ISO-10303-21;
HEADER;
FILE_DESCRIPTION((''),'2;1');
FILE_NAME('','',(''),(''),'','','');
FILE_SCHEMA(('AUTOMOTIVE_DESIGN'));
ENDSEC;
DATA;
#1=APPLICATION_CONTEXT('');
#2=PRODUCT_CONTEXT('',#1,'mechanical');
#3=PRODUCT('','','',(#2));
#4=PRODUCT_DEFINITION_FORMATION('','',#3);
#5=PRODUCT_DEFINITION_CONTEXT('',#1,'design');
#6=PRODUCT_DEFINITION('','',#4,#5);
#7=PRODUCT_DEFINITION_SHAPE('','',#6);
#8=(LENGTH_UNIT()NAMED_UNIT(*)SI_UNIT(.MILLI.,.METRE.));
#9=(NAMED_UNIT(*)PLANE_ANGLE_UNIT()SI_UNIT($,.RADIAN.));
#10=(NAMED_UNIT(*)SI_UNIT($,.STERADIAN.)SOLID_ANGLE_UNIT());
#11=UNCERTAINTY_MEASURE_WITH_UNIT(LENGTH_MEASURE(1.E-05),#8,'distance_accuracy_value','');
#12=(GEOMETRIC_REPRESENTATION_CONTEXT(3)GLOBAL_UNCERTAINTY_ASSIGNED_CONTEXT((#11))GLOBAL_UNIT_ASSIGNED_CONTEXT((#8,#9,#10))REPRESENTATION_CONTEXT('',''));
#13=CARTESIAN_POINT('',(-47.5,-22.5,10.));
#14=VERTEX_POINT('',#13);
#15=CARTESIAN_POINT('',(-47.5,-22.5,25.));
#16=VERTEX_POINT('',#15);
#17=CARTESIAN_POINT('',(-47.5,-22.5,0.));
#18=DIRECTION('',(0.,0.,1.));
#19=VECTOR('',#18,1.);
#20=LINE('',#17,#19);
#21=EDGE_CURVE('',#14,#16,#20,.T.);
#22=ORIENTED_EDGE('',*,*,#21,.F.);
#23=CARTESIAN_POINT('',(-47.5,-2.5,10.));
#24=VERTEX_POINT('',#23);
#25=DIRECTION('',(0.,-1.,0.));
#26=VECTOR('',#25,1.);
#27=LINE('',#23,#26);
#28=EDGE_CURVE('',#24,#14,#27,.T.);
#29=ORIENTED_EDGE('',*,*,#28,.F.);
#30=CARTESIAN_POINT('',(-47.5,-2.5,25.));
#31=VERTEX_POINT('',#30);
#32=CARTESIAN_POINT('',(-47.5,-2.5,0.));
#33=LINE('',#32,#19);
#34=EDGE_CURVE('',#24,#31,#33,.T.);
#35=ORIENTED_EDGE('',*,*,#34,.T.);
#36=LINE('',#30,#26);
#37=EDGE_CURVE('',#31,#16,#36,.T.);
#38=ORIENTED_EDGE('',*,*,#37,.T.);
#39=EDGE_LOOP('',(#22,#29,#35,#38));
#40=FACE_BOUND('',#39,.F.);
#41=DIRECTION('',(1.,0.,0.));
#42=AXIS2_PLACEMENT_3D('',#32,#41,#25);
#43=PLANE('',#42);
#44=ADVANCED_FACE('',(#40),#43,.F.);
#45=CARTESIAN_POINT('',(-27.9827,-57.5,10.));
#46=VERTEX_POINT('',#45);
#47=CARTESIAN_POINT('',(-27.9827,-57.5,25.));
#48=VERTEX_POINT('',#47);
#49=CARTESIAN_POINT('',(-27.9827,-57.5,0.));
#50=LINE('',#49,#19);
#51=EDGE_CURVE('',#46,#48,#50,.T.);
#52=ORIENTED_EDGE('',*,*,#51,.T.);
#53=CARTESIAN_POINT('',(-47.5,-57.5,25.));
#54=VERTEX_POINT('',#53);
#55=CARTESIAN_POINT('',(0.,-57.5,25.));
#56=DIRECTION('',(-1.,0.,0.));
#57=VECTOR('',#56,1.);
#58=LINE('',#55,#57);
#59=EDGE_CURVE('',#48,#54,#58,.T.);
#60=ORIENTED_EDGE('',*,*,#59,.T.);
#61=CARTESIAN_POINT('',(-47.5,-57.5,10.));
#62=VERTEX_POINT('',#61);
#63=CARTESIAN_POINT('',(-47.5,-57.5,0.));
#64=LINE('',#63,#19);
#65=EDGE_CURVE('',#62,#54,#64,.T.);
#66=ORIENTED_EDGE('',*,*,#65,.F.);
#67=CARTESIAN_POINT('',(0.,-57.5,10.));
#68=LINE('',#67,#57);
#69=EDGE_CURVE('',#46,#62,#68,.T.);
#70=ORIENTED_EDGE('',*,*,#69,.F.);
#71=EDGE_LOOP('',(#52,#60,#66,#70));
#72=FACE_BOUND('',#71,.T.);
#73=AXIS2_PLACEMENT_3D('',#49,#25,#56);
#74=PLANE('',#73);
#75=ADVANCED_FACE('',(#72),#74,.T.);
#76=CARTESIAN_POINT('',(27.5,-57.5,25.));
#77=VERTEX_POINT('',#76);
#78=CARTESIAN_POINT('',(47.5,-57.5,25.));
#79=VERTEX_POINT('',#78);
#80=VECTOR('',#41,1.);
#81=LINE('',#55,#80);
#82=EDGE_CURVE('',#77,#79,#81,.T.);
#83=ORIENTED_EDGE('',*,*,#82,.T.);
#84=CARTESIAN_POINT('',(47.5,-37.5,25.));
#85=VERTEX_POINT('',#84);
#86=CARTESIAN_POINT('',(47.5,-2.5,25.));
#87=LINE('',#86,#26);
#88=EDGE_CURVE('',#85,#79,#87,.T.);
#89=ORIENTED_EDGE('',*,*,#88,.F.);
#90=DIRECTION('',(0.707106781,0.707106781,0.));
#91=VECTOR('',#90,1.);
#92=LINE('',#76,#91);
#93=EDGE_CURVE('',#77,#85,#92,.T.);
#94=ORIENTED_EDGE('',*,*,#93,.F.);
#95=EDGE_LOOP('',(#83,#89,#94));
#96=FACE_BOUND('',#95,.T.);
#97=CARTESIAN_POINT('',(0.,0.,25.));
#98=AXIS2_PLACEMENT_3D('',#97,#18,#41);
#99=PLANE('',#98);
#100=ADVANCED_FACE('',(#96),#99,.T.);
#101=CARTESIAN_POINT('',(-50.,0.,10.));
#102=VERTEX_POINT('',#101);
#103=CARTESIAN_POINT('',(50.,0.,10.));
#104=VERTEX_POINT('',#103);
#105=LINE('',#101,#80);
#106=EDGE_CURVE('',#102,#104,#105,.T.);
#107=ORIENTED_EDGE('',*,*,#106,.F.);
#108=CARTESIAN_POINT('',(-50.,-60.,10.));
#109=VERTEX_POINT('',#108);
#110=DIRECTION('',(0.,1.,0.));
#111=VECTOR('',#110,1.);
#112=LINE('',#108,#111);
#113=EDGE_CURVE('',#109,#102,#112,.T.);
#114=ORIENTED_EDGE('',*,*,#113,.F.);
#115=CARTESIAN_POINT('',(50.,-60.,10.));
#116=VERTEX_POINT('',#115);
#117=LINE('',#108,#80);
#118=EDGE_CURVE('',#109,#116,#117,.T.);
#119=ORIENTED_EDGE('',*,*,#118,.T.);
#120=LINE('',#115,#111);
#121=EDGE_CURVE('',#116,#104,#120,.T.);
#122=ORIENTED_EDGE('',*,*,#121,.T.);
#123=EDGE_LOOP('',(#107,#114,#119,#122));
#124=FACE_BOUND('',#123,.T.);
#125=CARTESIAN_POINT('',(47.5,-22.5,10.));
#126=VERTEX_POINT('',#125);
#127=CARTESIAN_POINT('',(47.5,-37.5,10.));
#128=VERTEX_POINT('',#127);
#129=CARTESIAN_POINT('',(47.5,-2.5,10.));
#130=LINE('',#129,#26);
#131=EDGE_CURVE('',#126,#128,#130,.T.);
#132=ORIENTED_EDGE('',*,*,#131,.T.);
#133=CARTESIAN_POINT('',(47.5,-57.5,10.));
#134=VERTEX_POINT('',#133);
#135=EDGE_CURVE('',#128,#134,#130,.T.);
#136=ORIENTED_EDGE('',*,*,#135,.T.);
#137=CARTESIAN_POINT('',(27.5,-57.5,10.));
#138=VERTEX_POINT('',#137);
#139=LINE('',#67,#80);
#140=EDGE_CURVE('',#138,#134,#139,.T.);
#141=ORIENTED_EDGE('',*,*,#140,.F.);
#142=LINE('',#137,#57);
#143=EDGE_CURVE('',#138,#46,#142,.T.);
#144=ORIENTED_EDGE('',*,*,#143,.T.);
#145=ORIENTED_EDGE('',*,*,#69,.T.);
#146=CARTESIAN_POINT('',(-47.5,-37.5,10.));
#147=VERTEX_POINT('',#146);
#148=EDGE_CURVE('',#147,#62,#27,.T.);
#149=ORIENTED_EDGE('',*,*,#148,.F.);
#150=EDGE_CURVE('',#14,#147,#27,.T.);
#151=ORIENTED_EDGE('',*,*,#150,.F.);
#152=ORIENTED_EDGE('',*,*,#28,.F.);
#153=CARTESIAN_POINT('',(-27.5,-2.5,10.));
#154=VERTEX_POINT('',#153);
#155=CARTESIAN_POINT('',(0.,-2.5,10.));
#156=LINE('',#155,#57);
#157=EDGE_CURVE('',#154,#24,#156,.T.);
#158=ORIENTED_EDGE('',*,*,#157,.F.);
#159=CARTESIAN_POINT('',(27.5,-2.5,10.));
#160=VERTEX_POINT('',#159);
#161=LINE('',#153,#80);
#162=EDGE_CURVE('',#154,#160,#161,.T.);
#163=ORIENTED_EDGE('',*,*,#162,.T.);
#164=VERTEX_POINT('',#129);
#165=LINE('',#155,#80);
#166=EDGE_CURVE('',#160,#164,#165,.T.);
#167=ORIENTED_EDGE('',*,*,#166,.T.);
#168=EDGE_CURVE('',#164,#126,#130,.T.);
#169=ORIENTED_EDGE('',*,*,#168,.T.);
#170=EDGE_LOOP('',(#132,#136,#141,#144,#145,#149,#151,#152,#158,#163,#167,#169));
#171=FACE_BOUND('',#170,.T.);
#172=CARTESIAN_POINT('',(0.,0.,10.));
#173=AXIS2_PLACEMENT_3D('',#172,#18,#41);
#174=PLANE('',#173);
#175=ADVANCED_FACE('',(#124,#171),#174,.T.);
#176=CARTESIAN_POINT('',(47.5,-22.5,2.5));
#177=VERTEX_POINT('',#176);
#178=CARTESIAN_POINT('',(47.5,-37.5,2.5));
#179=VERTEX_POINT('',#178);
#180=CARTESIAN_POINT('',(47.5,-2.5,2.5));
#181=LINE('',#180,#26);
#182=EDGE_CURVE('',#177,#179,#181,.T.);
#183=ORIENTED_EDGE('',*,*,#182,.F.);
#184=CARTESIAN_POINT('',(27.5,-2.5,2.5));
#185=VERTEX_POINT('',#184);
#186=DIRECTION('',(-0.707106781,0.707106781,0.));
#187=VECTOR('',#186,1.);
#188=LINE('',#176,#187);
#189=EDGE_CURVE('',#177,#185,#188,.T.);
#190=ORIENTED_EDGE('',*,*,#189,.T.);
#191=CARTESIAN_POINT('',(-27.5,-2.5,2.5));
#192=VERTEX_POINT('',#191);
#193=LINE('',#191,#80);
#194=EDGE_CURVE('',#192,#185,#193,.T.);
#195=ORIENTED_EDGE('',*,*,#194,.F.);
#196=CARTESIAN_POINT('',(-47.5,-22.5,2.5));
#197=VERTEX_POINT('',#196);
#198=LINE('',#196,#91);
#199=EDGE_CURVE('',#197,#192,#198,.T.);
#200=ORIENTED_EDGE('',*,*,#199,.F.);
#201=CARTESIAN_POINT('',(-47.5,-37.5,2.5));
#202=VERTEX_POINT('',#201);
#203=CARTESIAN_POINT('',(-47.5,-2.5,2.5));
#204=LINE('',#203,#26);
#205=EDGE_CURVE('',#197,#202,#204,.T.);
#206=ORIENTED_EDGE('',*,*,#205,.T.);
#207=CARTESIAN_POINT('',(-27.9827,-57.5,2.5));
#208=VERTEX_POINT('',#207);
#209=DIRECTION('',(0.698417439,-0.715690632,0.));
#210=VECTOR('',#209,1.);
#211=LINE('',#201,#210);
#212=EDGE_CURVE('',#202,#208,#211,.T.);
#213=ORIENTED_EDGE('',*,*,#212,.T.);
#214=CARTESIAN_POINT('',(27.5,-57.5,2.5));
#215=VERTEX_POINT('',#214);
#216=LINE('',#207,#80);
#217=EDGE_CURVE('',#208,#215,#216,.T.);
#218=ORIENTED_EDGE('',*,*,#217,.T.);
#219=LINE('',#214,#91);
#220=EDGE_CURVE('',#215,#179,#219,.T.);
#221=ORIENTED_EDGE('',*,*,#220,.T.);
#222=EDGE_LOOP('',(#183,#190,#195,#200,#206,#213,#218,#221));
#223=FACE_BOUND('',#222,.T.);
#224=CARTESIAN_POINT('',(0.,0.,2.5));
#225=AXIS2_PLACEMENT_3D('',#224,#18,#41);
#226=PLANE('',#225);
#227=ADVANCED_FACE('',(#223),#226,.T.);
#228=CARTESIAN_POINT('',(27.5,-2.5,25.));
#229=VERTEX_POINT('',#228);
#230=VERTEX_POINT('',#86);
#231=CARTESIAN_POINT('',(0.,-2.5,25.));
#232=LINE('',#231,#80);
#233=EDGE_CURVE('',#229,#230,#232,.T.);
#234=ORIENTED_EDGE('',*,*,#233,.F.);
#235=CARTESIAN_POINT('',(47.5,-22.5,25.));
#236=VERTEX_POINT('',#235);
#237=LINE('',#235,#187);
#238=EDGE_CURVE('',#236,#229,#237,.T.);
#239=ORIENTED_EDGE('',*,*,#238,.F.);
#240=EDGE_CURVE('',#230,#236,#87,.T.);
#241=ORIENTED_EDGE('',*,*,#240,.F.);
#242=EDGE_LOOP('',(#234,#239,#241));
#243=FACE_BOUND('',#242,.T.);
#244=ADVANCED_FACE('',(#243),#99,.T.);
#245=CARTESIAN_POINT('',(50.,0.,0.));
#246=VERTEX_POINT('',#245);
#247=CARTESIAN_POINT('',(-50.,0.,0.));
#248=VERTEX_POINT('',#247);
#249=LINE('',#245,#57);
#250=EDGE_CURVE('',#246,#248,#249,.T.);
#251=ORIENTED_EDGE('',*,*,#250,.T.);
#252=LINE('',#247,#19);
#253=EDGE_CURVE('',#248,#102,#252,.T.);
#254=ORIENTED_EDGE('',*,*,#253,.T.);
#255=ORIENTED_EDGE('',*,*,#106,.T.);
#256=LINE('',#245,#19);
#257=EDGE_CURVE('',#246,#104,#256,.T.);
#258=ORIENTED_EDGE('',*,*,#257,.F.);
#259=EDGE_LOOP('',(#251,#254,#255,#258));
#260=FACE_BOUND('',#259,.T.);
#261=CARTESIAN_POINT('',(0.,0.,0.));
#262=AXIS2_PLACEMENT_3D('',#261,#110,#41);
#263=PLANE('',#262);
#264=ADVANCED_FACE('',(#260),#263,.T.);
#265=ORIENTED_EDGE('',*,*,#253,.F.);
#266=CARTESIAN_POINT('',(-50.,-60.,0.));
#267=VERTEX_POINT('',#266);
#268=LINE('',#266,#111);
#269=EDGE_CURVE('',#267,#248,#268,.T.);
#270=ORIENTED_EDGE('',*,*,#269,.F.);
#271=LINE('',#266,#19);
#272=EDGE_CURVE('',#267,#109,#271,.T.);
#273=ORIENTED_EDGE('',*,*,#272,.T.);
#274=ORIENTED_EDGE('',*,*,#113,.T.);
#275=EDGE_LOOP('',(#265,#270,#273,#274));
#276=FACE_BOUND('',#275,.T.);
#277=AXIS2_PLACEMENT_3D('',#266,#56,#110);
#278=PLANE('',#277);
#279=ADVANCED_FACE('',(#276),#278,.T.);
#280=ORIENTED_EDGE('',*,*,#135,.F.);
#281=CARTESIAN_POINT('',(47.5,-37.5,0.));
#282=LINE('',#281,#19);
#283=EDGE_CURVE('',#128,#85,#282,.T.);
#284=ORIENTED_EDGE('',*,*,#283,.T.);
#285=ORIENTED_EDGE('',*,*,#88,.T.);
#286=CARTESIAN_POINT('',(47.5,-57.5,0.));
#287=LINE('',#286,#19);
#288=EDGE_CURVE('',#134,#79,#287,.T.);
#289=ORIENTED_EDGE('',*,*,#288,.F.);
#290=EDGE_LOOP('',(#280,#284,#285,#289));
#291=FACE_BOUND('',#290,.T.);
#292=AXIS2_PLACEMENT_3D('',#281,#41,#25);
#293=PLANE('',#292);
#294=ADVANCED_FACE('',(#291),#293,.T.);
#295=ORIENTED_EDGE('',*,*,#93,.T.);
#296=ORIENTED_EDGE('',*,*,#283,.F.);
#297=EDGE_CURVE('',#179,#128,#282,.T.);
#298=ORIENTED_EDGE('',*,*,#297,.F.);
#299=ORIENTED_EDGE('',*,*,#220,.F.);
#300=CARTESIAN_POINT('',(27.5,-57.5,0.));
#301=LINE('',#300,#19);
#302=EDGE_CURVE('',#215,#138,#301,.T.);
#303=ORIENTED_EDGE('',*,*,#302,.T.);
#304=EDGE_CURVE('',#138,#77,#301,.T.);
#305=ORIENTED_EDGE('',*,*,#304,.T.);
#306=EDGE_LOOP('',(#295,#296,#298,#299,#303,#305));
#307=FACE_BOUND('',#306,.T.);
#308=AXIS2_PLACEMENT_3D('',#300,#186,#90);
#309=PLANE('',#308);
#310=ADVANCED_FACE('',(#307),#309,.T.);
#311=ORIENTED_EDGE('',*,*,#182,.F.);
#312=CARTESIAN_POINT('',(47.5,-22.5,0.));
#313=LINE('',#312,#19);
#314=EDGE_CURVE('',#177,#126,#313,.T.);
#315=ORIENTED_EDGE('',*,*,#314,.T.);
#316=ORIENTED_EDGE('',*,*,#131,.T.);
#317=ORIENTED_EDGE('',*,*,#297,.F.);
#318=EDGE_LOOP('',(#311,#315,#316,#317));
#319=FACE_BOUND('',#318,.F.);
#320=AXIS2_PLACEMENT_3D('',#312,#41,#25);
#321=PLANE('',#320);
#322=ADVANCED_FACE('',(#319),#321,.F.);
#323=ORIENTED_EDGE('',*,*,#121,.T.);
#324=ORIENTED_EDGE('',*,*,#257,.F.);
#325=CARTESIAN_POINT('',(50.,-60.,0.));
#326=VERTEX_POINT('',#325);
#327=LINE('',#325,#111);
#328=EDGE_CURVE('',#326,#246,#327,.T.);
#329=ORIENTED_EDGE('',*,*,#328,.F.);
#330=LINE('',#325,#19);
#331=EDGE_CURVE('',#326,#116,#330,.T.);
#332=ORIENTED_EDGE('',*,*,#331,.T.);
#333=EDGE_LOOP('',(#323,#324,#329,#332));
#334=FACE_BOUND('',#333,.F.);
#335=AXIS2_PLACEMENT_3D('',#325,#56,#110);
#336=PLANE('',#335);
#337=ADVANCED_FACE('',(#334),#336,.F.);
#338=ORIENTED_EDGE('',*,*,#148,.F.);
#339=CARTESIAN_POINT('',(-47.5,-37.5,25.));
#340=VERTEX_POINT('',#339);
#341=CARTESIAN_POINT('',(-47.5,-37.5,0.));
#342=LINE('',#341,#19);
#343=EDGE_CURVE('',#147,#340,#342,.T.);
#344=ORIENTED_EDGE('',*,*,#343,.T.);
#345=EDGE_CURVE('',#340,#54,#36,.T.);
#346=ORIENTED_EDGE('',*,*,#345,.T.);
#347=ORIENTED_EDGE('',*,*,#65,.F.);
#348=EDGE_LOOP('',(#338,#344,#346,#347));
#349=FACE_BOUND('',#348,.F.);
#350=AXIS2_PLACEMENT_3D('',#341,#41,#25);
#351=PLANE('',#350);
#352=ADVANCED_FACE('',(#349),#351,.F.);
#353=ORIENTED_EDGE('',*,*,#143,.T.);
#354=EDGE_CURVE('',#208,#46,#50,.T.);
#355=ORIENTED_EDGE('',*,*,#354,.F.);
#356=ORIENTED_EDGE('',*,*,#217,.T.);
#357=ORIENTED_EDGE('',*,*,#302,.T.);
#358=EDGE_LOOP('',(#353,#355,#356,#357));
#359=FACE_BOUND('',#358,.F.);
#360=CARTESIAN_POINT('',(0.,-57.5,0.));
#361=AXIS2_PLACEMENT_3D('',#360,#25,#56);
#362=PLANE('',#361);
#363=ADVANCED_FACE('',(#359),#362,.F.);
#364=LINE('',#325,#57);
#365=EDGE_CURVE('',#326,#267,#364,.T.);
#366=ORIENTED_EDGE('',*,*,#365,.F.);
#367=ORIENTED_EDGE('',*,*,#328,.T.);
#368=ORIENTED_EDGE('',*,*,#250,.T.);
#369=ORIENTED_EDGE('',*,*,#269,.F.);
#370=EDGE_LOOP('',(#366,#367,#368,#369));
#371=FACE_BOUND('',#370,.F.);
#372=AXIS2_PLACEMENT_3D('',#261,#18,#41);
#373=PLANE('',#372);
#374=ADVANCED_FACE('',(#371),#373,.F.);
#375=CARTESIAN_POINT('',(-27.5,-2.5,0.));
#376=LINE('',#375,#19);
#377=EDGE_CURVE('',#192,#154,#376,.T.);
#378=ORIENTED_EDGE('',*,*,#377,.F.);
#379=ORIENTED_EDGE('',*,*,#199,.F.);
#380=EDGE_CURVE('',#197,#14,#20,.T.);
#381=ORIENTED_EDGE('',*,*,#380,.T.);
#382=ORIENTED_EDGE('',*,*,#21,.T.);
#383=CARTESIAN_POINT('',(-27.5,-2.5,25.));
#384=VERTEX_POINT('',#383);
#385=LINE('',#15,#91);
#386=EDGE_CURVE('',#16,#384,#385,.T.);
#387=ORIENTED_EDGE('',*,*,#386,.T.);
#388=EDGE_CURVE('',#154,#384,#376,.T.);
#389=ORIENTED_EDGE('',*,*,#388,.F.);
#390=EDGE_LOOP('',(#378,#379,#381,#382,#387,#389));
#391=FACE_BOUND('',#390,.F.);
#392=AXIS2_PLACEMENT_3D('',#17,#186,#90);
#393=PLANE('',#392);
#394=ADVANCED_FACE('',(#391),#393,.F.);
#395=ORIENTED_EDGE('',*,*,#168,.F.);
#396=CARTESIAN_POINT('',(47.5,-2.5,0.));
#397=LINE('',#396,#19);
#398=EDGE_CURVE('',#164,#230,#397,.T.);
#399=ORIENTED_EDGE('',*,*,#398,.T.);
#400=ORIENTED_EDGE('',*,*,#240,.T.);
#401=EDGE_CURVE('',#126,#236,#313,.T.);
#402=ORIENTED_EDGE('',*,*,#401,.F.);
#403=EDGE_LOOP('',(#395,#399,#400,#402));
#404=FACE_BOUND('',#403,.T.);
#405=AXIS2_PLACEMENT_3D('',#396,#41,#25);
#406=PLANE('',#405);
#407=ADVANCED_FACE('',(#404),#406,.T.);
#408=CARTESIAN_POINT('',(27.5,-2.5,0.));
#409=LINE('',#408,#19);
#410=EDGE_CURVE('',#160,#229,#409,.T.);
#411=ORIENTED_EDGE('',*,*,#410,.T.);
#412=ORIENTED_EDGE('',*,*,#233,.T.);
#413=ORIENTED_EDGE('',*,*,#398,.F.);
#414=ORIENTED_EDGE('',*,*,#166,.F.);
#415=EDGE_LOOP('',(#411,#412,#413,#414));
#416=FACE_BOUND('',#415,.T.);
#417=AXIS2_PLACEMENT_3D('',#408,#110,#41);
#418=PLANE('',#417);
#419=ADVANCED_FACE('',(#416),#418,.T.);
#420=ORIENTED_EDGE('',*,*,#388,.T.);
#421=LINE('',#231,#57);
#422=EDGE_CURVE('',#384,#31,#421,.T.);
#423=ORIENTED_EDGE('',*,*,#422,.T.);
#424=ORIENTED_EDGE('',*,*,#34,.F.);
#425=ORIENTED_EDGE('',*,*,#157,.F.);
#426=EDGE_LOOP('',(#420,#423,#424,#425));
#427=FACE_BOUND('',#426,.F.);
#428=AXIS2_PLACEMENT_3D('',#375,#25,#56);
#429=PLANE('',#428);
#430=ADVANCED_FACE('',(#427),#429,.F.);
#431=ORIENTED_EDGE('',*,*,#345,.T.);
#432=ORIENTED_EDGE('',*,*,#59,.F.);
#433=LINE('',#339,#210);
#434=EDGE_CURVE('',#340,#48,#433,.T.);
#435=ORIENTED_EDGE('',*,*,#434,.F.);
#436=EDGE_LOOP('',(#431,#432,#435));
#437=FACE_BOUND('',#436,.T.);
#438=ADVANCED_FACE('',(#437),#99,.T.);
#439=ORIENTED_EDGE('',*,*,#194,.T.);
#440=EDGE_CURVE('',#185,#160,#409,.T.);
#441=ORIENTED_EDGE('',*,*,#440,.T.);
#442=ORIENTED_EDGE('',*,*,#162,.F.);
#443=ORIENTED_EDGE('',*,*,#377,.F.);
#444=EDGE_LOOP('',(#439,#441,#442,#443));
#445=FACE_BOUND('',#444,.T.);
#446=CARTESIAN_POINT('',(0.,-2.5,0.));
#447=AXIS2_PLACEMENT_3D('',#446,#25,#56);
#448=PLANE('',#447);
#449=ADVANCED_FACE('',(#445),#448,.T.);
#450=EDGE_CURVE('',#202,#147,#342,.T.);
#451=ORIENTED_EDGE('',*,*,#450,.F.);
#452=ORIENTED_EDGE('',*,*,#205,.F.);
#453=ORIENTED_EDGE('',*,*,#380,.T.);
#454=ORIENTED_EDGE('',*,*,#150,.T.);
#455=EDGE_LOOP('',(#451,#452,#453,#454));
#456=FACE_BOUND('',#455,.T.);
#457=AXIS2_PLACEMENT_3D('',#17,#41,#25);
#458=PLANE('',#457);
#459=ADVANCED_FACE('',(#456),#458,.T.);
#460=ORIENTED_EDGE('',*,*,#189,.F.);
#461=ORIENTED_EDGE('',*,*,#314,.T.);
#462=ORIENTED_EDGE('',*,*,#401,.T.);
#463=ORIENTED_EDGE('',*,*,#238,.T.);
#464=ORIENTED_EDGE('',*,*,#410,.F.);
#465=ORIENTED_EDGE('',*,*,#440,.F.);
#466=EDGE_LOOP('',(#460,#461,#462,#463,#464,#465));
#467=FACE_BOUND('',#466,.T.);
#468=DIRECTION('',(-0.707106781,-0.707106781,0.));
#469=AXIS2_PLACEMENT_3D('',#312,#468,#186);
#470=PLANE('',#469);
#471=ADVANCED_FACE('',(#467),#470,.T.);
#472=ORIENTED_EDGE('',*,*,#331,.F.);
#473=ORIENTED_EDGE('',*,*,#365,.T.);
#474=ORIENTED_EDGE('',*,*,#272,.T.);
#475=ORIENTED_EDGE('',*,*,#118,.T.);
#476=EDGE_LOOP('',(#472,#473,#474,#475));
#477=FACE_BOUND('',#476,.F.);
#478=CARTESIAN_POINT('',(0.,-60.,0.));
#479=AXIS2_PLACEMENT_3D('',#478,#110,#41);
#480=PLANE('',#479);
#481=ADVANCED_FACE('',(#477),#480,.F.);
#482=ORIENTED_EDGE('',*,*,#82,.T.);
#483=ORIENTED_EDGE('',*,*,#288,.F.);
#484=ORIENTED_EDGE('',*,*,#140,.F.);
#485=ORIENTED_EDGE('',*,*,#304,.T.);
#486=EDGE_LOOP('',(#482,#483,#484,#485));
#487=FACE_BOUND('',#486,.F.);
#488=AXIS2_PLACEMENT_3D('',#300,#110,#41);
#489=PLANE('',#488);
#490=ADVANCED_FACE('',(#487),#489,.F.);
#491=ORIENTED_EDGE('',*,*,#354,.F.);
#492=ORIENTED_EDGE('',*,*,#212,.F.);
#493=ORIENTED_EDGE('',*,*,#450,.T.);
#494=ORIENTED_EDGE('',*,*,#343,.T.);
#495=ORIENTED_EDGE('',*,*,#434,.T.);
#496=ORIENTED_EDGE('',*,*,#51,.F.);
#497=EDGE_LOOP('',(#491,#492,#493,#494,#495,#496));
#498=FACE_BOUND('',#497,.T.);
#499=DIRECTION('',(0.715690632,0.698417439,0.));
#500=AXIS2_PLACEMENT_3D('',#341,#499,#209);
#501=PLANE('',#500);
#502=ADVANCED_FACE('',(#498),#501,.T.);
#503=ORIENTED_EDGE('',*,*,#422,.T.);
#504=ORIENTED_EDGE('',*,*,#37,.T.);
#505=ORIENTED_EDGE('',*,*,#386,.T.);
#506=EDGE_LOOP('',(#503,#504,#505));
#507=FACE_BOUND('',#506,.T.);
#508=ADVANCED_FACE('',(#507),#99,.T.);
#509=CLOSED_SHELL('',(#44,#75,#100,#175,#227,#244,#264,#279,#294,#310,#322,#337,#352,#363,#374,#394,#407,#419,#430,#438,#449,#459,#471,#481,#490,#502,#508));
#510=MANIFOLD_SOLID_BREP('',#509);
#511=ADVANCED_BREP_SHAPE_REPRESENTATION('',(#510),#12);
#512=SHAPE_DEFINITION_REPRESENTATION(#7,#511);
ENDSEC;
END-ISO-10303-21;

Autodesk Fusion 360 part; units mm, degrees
sketch "Sketch1" plane through (0, 0, 0) normal (0, 0, 1) x (1, 0, 0)
  line L0 (0, 0) -> (50, 0)
  line L1 (0, 0) -> (-50, 0)
  line L2 (0, -60) -> (50, -60)
  line L3 (0, -60) -> (-50, -60)
  line L4 (0, -2.5) -> (47.5, -2.5)
  line L5 (0, -2.5) -> (-47.5, -2.5)
  line L6 (0, -57.5) -> (47.5, -57.5)
  line L7 (0, -57.5) -> (-47.5, -57.5)
  line L8 (-47.5, -2.5) -> (-47.5, -57.5)
  line L9 (47.5, -2.5) -> (47.5, -57.5)
  line L10 (50, -60) -> (50, 0)
  line L11 (-50, -60) -> (-50, 0)
  line L12 (-54.3467, -2.5) -> (-57.3288, -2.5) construction
  line L13 (-47.5, -22.5) -> (47.5, -22.5)
  line L14 (-47.5, 10.1561) -> (-47.5, 7.5248)
  line L15 (-47.5, -22.5) -> (-27.5, -2.5)
  line L16 (27.5, -2.5) -> (27.5, -7.3859)
  line L17 (47.5, -22.5) -> (27.5, -2.5)
  line L18 (-47.5, -37.5) -> (-27.9827, -57.5)
  line L19 (47.5, -37.5) -> (-47.5, -37.5)
  line L20 (27.5, -57.5) -> (47.5, -37.5)
  dimension "d1" = 50
  dimension "d2" = 50
  dimension "d3" = 60
  dimension "d4" = 50
  dimension "d5" = 50
  dimension "d6" = 2.5
  dimension "d7" = 47.5
  dimension "d8" = 47.5
  dimension "d9" = 2.5
  dimension "d10" = 47.5
  dimension "d11" = 47.5
extrude "Extrude1" add sketch "Sketch1" along normal blind 10
extrude "Extrude2" add sketch "Sketch1" along normal blind 25 contours L4 L9 L17 | L5 L8 L15 | L6 L9 L20 | L7 L8 L18
extrude "Extrude3" add sketch "Sketch1" along normal blind 2.5 contours L4 L5 L13 L15 L17 | L8 L9 L13 L19 | L6 L7 L18 L19 L20
